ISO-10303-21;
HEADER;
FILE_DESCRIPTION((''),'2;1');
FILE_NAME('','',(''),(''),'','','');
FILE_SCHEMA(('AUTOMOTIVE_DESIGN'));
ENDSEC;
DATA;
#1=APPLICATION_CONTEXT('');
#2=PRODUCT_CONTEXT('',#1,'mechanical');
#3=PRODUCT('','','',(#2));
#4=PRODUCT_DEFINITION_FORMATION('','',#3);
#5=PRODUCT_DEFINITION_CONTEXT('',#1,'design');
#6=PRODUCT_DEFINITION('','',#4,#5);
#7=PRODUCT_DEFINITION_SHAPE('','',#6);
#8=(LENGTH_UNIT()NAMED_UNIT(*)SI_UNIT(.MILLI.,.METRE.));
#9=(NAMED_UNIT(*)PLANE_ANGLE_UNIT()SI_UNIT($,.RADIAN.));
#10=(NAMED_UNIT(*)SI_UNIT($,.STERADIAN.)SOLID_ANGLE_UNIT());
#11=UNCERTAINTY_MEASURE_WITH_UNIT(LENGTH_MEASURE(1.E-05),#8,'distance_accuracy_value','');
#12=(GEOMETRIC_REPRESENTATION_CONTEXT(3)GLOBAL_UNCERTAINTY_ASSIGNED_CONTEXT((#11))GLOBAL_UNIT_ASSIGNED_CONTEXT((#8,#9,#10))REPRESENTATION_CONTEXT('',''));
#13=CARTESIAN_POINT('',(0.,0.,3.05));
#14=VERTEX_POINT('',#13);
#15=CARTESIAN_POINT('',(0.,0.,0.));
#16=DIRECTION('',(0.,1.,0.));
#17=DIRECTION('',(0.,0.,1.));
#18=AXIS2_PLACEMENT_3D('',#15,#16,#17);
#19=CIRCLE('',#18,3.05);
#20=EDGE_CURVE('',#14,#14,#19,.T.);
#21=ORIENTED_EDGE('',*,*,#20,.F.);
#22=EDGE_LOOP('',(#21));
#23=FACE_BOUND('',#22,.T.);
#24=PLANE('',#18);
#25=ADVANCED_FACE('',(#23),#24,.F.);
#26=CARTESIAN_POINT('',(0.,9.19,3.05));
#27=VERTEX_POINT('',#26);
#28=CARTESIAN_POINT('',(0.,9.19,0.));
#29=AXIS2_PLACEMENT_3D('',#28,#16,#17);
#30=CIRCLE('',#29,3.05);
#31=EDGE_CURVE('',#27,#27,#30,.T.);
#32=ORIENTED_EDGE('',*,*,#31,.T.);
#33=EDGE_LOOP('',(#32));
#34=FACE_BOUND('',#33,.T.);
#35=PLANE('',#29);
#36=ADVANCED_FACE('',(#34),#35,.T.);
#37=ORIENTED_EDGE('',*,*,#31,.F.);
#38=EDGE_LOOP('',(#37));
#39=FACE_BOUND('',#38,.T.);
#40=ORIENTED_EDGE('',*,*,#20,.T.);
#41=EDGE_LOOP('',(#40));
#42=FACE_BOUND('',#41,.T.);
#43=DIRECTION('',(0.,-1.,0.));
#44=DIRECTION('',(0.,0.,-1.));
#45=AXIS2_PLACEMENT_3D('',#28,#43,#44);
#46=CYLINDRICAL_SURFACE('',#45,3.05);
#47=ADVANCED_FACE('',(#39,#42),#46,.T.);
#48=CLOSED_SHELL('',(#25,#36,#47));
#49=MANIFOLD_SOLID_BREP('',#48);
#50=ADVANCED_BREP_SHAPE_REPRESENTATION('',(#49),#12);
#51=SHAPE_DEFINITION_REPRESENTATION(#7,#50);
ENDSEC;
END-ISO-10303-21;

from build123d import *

# Parameters (mm, degrees)
SKETCH1_R           = 3.05
BOSS_EXTRUDE1_DEPTH = 9.19


with BuildPart() as part:
    # Sketch1 → Boss-Extrude1 (new body)
    with BuildSketch(Plane(origin=(0, 0, 0), x_dir=(1, 0, 0), z_dir=(0, 1, 0))):
        Circle(SKETCH1_R)
    extrude(amount=BOSS_EXTRUDE1_DEPTH)


solid = part.part
